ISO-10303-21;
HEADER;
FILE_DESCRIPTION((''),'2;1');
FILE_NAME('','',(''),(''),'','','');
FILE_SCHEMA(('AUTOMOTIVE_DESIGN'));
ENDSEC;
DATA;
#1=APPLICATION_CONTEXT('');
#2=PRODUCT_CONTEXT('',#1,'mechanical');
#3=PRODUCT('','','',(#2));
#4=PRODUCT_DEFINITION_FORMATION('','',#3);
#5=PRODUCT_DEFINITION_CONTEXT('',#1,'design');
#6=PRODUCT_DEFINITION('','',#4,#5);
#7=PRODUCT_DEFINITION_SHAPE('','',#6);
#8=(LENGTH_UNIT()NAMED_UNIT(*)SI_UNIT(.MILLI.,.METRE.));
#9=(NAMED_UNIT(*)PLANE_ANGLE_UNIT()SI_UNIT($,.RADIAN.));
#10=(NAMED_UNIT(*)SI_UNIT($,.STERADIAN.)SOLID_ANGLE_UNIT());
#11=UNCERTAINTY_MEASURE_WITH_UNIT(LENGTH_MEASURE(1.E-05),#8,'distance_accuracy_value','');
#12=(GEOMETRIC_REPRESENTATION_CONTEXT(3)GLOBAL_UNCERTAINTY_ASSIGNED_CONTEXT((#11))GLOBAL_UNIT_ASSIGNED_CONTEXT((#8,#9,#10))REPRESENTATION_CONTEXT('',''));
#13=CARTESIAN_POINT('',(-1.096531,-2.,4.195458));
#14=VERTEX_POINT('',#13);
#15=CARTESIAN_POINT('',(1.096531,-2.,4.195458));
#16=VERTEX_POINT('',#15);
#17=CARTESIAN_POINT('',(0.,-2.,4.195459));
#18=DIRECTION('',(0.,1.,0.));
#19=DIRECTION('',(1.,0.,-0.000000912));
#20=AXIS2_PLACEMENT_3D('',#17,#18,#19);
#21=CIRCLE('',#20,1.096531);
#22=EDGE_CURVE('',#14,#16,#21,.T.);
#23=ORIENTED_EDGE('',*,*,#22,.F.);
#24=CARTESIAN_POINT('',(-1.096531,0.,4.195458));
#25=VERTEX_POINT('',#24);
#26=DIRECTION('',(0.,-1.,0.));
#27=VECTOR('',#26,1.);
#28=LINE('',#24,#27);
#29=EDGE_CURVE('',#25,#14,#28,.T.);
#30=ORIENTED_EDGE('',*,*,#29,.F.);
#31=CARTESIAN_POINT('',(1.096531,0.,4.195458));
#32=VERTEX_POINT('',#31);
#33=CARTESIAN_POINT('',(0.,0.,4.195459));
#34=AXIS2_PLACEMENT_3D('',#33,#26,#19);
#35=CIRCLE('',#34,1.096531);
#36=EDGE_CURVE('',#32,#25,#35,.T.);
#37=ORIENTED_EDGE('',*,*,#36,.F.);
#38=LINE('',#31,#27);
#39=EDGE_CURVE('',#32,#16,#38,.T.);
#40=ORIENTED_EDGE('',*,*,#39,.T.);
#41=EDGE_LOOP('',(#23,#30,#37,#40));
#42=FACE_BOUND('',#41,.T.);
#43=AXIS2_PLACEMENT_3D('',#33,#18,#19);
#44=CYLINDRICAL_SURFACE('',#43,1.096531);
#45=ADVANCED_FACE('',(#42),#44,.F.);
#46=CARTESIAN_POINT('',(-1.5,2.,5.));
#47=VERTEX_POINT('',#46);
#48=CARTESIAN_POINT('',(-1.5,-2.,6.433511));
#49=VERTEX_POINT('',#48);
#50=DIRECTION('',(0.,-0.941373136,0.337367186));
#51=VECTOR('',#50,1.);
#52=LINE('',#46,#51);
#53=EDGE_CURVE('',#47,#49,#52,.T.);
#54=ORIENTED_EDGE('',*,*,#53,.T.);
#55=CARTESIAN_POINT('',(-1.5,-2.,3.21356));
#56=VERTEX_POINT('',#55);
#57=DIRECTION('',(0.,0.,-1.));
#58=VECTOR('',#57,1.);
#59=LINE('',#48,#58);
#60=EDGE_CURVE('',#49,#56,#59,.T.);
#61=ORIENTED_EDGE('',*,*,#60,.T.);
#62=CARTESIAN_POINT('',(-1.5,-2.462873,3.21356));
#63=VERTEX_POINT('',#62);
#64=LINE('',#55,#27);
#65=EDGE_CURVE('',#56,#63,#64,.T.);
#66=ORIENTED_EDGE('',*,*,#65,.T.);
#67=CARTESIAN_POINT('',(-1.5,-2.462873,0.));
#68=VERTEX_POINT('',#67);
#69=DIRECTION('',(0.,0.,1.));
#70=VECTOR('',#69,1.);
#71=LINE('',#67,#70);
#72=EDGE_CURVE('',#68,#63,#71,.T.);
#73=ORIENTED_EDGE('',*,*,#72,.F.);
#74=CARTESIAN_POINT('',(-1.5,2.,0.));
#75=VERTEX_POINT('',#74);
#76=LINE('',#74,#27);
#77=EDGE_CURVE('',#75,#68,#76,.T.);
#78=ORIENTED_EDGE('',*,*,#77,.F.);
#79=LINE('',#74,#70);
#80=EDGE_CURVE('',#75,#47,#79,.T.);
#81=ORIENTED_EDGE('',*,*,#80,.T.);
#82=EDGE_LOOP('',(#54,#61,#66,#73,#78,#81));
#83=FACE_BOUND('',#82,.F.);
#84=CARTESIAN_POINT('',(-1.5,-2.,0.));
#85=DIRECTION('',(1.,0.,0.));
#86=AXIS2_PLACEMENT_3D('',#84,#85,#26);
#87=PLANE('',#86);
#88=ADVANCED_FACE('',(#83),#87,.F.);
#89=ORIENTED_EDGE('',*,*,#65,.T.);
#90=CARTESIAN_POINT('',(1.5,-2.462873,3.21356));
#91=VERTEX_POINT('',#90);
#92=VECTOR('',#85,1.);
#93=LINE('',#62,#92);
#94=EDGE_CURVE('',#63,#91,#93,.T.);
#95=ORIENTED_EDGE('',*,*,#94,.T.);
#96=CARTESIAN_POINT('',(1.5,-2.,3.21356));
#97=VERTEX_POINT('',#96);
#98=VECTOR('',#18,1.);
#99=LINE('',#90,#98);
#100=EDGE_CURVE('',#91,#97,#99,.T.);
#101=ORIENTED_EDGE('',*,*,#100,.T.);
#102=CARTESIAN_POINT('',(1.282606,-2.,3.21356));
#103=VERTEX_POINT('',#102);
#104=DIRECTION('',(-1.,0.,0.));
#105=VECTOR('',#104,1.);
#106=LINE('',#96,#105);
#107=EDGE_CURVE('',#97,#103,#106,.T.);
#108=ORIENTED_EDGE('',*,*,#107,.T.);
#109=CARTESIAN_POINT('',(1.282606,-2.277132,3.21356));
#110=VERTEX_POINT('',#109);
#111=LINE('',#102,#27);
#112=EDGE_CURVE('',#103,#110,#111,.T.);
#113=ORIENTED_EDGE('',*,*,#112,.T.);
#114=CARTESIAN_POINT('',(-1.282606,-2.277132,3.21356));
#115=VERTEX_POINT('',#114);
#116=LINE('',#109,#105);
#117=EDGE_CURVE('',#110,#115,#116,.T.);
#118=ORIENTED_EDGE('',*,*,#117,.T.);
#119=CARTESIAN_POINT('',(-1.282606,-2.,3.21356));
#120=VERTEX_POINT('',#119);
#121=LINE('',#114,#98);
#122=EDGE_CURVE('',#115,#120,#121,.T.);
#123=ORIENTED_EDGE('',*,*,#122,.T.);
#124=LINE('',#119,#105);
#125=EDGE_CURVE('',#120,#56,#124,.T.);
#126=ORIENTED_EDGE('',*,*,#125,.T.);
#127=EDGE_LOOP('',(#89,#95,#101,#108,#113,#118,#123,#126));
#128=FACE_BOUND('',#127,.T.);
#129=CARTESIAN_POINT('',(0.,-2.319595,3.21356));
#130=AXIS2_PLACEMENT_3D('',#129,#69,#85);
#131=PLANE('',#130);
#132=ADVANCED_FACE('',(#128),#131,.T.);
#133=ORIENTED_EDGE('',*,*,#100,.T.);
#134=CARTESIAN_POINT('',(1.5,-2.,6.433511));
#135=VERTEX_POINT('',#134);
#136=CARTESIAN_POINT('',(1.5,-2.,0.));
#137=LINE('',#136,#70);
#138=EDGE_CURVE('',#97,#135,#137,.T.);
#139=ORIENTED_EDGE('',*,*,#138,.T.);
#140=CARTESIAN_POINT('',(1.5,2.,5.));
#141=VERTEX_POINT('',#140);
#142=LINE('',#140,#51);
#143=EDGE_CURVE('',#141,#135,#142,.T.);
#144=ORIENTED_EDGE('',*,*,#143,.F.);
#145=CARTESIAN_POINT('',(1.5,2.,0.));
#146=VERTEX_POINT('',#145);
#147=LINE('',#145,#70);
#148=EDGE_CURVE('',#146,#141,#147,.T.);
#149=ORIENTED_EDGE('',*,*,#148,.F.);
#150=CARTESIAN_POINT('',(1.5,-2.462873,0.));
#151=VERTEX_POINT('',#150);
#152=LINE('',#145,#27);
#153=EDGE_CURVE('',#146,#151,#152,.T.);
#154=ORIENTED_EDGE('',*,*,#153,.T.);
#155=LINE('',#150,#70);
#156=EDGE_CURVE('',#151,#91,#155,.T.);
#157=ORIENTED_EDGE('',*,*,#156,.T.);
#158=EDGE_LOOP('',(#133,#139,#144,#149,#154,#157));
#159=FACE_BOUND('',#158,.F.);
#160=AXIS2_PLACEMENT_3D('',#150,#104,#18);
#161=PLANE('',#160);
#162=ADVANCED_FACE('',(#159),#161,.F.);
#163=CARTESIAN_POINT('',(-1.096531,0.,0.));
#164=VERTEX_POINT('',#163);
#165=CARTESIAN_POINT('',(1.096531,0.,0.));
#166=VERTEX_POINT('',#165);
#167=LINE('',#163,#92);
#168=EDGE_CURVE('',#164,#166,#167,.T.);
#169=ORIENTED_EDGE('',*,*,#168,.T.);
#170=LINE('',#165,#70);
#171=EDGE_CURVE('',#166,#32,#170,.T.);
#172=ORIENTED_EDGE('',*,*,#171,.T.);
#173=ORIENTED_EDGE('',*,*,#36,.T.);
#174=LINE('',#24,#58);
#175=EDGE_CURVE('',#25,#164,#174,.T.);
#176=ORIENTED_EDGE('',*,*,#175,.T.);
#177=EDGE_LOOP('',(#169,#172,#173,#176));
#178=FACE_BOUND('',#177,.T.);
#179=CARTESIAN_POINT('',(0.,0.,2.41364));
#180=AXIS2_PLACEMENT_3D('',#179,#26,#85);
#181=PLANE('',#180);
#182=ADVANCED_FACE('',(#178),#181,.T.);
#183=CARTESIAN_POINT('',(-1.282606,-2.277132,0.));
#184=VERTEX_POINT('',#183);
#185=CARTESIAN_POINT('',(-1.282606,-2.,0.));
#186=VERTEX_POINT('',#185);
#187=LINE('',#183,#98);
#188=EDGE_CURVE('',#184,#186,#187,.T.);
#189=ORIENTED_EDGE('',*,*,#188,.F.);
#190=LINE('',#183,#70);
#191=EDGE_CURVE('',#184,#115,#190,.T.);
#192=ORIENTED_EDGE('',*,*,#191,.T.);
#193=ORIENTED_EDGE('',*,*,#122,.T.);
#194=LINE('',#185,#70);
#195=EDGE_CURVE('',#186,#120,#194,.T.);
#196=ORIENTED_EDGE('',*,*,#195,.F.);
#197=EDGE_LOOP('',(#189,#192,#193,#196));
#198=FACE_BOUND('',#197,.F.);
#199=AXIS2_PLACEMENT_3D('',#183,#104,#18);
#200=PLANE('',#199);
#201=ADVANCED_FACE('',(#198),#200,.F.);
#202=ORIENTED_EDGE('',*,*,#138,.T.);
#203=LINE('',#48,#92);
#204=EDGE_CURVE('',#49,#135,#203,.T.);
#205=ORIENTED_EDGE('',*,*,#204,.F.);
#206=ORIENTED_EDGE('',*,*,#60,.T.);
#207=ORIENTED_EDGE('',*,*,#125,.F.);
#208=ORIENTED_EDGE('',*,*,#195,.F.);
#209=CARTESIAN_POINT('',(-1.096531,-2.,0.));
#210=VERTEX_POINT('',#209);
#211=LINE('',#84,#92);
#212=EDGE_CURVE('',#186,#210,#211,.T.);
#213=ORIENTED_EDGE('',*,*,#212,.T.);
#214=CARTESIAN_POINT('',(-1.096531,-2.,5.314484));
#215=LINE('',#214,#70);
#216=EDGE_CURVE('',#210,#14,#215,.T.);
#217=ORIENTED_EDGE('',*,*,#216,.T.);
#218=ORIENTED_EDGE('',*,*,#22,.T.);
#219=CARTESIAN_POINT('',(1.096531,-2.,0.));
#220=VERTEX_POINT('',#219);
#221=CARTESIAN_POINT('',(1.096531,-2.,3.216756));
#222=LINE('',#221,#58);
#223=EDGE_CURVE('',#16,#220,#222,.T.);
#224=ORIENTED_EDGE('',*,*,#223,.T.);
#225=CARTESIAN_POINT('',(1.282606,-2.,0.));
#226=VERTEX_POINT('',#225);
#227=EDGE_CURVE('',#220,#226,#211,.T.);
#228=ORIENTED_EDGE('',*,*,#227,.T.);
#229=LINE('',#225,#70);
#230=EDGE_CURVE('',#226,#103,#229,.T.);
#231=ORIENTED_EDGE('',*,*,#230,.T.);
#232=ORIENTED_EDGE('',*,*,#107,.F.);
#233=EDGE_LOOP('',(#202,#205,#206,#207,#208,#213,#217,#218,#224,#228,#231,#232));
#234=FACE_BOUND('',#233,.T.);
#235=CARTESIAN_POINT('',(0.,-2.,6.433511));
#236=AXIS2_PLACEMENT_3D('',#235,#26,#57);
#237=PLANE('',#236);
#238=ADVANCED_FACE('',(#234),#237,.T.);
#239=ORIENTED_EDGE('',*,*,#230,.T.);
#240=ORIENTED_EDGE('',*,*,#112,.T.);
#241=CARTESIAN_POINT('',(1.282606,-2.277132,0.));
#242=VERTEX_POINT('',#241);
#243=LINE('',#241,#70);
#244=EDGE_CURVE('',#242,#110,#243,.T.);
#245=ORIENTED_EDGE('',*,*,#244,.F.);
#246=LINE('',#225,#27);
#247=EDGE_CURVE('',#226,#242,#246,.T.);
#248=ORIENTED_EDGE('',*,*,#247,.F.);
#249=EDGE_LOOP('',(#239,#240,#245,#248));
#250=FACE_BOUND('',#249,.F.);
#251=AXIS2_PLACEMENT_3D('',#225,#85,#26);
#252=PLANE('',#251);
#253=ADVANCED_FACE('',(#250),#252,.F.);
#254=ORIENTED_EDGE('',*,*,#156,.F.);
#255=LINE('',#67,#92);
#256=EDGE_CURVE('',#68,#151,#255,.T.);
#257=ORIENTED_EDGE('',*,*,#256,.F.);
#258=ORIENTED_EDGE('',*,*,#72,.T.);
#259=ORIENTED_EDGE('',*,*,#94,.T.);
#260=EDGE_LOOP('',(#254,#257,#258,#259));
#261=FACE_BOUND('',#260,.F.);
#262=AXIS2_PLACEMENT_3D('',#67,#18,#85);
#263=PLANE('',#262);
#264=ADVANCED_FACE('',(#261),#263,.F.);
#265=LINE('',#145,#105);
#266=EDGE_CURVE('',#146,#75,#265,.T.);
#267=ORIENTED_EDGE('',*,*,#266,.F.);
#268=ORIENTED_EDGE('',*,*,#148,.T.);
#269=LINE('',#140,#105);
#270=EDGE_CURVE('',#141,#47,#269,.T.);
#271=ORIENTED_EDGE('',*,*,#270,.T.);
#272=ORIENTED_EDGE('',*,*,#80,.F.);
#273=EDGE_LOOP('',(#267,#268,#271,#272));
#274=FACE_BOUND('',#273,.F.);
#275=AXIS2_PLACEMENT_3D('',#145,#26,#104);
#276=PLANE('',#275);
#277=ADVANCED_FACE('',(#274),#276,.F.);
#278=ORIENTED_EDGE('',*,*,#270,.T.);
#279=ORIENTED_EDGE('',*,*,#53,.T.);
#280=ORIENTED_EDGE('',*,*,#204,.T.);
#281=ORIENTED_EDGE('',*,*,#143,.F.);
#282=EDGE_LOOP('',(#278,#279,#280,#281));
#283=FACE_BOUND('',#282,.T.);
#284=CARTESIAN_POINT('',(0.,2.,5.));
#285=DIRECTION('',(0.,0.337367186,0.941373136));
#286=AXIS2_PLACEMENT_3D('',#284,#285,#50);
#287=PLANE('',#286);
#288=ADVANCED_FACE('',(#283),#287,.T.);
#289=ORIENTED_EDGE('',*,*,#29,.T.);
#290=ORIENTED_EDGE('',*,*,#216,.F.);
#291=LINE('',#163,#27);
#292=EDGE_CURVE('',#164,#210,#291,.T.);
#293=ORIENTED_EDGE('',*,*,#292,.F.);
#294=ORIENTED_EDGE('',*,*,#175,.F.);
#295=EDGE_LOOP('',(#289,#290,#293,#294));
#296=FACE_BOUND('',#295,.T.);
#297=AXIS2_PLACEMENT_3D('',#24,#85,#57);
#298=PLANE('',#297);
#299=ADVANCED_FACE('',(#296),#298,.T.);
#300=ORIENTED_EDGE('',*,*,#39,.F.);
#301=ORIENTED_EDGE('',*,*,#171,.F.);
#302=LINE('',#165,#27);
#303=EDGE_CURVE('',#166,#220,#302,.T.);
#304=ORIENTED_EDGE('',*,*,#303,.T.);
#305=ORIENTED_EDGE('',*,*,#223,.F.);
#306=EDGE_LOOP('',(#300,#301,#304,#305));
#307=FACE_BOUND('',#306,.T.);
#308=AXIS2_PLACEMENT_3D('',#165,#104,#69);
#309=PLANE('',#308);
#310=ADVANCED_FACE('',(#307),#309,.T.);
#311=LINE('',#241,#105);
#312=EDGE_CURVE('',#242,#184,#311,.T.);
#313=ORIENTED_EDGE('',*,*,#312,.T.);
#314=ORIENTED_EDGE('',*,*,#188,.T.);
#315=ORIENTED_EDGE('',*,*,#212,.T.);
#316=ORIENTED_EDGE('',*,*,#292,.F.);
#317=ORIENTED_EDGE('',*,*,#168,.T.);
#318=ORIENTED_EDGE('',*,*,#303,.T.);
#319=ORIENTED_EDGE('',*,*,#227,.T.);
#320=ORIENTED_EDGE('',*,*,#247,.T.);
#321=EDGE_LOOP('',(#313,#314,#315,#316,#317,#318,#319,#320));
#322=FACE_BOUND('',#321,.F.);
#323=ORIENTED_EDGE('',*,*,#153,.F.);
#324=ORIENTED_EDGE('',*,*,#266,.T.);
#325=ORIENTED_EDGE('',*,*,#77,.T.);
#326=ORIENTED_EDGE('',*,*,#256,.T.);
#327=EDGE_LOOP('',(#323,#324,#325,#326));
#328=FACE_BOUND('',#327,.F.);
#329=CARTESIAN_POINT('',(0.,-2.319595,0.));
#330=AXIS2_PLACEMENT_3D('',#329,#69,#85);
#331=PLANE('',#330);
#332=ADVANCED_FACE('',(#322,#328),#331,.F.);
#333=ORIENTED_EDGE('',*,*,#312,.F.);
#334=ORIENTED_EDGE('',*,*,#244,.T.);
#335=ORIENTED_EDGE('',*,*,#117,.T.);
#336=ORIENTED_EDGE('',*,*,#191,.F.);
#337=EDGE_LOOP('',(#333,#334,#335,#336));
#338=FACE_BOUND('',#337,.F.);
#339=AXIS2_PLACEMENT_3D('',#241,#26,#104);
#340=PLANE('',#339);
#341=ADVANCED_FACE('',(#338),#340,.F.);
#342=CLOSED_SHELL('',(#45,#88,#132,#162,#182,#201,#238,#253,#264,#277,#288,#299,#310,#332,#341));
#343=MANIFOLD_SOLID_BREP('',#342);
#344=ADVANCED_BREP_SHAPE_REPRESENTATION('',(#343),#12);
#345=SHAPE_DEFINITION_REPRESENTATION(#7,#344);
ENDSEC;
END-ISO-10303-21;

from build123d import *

# Parameters (mm, degrees)
F1_DEPTH      = 5
F3_DEPTH      = 1.5
F3_DEPTH_BACK = 1.5
F5_DEPTH      = 6.23198
F6_DEPTH      = 3.21356


with BuildPart() as f1:
    # F0 (on Top) → F1 (new body)
    with BuildSketch(Plane.XY):
        Polygon((1.5, 2), (-1.5, 2), (-1.5, -2), (-1.282606, -2), (1.282606, -2), (1.5, -2), align=None)
    extrude(amount=F1_DEPTH)

    # F2 (on Right) → F3 (join, two sides)
    with BuildSketch(Plane.YZ) as f3_sk:
        Polygon((-2, 5), (2, 5), (-2, 6.433511), align=None)
    extrude(amount=F3_DEPTH)
    extrude(f3_sk.sketch, amount=-F3_DEPTH_BACK)

    # F4 (on Front) → F5 (cut)
    with BuildSketch(Plane.XZ):
        with BuildLine():
            Line((1.096531, 0), (1.096531, 4.195458))
            ThreePointArc((1.096531, 4.195458), (0, 5.29199), (-1.096531, 4.195458))
            Line((-1.096531, 4.195458), (-1.096531, 0))
            Line((-1.096531, 0), (1.096531, 0))
        make_face()
    extrude(amount=F5_DEPTH, mode=Mode.SUBTRACT)

    # F0 (on Top) → F6 (join)
    with BuildSketch(Plane.XY):
        Polygon((-1.282606, -2), (-1.5, -2), (-1.5, -2.462873), (1.5, -2.462873), (1.5, -2), (1.282606, -2), (1.282606, -2.277132), (-1.282606, -2.277132), align=None)
    extrude(amount=F6_DEPTH)


solid = f1.part
